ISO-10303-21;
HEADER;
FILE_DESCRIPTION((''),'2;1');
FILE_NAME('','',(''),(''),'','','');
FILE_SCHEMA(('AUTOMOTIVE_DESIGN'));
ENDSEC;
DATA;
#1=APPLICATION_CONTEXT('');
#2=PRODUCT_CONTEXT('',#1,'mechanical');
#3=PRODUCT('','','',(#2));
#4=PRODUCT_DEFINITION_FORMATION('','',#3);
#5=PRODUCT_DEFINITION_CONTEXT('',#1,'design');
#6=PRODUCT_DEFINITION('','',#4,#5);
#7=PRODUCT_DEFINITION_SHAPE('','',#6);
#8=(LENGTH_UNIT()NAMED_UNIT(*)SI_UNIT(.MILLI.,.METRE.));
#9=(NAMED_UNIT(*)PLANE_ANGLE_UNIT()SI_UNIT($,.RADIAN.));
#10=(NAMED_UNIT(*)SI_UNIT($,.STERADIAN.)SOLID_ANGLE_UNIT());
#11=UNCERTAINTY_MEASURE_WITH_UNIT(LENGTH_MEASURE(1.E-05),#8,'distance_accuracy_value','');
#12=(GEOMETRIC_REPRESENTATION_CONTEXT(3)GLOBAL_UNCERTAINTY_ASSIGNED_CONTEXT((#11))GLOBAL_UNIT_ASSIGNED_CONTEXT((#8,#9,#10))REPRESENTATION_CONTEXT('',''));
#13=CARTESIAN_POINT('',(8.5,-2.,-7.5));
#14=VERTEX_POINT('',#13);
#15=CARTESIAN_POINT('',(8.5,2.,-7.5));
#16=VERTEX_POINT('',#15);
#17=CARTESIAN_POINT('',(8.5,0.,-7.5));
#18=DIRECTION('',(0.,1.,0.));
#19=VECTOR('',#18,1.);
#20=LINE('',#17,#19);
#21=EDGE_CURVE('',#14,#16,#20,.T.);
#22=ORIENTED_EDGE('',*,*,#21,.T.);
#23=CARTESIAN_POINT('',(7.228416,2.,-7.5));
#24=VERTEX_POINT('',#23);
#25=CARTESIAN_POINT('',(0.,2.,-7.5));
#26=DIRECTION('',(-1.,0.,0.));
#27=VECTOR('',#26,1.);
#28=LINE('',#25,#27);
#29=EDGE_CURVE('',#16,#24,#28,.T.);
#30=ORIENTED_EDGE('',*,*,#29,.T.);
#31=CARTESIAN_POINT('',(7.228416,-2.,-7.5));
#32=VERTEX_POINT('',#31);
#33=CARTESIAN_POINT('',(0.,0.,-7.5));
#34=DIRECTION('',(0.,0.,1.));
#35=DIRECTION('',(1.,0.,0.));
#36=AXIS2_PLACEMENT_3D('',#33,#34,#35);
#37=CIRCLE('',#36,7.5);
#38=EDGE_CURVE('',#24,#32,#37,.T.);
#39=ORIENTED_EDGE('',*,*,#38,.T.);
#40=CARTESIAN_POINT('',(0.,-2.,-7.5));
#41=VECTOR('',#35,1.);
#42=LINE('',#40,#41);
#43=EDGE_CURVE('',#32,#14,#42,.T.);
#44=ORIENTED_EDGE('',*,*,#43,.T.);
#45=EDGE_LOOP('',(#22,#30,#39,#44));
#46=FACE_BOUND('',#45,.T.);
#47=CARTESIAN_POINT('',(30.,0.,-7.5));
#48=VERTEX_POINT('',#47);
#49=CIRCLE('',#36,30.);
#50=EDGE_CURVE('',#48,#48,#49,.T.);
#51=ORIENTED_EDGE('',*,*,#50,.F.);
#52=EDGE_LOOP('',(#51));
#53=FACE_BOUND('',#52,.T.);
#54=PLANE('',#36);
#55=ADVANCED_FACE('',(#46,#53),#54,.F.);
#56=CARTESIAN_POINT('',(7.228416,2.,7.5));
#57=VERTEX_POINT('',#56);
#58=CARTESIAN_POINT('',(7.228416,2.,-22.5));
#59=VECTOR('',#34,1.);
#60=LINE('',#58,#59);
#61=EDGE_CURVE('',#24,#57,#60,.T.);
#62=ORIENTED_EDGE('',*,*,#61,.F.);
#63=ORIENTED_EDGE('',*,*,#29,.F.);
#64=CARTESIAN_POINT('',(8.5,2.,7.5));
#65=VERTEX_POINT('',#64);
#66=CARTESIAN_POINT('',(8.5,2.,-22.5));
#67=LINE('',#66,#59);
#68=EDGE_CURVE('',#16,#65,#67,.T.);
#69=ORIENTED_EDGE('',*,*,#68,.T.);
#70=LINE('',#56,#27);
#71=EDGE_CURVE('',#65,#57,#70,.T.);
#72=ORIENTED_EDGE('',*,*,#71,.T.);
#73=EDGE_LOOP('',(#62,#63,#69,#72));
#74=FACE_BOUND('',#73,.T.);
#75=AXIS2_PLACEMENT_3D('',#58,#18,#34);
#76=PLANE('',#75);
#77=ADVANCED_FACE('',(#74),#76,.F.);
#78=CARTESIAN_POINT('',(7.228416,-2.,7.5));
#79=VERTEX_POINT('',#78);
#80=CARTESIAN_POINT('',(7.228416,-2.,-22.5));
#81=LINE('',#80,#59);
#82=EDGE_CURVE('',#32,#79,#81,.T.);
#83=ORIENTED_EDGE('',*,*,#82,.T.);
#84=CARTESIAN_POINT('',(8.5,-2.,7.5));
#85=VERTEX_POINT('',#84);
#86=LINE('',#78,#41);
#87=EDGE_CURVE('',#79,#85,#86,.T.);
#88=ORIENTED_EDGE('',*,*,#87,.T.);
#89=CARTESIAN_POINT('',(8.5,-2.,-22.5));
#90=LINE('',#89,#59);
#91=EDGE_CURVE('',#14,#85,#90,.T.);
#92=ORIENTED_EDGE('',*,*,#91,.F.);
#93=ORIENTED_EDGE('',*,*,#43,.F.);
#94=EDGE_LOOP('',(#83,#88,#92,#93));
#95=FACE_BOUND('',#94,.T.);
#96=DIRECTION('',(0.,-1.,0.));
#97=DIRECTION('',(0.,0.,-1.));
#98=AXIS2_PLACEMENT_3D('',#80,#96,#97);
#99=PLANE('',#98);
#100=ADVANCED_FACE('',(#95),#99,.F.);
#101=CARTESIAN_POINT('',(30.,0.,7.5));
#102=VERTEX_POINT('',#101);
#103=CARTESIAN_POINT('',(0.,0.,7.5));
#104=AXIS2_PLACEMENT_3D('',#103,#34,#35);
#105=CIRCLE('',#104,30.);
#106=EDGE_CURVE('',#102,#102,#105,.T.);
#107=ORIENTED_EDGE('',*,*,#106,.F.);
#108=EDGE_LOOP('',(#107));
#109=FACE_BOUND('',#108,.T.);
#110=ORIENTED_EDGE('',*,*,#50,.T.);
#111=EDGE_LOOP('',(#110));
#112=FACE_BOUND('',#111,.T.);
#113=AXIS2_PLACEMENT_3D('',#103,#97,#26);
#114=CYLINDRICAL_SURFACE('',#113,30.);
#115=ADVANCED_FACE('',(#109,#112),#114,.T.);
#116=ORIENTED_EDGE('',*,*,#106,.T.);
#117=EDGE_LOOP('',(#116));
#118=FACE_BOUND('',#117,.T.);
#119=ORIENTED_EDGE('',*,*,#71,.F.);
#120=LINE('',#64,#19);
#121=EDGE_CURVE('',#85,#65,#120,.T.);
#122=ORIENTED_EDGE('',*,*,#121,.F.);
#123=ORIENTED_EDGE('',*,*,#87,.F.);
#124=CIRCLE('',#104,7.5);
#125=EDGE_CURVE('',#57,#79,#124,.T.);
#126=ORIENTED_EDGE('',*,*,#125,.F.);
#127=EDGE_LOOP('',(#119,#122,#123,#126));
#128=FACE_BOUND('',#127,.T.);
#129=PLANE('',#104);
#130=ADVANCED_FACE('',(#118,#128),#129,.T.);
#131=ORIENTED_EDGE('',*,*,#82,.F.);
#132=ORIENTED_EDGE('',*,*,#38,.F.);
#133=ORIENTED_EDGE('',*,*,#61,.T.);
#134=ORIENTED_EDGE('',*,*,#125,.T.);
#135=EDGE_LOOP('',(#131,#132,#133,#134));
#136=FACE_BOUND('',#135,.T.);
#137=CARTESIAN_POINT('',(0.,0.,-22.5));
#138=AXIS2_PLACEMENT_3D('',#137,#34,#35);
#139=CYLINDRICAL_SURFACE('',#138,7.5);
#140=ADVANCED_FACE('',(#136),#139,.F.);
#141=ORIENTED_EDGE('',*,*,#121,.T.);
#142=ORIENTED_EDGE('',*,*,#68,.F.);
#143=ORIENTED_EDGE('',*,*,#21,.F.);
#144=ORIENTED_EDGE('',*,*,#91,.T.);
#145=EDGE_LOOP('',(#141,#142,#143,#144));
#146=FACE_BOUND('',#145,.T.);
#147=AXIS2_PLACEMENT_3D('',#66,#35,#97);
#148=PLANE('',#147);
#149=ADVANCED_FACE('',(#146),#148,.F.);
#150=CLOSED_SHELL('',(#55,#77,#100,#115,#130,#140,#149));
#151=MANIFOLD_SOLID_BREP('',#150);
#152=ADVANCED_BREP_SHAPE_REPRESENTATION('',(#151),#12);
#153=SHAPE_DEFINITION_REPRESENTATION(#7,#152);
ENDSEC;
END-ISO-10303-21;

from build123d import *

# Parameters (mm, degrees)
SKETCH_1_R          = 30
EXTRUDE_1_DEPTH     = 7.5
CUT_EXTRUDE_1_DEPTH = 30


with BuildPart() as part:
    # 草图1 → 凸台-拉伸1 (new, symmetric)
    with BuildSketch(Plane.XY):
        Circle(SKETCH_1_R)
    extrude(amount=EXTRUDE_1_DEPTH, both=True)

    # 草图2 → 切除-拉伸1 (cut)
    with BuildSketch(Plane.XY.offset(7.5)):
        with BuildLine():
            Line((7.228416147, 2), (8.5, 2))
            Line((8.5, 2), (8.5, -2))
            Line((8.5, -2), (7.228416147, -2))
            ThreePointArc((7.228416147, -2), (-7.5, 0), (7.228416147, 2))
        make_face()
    extrude(amount=-CUT_EXTRUDE_1_DEPTH, mode=Mode.SUBTRACT)


solid = part.part
